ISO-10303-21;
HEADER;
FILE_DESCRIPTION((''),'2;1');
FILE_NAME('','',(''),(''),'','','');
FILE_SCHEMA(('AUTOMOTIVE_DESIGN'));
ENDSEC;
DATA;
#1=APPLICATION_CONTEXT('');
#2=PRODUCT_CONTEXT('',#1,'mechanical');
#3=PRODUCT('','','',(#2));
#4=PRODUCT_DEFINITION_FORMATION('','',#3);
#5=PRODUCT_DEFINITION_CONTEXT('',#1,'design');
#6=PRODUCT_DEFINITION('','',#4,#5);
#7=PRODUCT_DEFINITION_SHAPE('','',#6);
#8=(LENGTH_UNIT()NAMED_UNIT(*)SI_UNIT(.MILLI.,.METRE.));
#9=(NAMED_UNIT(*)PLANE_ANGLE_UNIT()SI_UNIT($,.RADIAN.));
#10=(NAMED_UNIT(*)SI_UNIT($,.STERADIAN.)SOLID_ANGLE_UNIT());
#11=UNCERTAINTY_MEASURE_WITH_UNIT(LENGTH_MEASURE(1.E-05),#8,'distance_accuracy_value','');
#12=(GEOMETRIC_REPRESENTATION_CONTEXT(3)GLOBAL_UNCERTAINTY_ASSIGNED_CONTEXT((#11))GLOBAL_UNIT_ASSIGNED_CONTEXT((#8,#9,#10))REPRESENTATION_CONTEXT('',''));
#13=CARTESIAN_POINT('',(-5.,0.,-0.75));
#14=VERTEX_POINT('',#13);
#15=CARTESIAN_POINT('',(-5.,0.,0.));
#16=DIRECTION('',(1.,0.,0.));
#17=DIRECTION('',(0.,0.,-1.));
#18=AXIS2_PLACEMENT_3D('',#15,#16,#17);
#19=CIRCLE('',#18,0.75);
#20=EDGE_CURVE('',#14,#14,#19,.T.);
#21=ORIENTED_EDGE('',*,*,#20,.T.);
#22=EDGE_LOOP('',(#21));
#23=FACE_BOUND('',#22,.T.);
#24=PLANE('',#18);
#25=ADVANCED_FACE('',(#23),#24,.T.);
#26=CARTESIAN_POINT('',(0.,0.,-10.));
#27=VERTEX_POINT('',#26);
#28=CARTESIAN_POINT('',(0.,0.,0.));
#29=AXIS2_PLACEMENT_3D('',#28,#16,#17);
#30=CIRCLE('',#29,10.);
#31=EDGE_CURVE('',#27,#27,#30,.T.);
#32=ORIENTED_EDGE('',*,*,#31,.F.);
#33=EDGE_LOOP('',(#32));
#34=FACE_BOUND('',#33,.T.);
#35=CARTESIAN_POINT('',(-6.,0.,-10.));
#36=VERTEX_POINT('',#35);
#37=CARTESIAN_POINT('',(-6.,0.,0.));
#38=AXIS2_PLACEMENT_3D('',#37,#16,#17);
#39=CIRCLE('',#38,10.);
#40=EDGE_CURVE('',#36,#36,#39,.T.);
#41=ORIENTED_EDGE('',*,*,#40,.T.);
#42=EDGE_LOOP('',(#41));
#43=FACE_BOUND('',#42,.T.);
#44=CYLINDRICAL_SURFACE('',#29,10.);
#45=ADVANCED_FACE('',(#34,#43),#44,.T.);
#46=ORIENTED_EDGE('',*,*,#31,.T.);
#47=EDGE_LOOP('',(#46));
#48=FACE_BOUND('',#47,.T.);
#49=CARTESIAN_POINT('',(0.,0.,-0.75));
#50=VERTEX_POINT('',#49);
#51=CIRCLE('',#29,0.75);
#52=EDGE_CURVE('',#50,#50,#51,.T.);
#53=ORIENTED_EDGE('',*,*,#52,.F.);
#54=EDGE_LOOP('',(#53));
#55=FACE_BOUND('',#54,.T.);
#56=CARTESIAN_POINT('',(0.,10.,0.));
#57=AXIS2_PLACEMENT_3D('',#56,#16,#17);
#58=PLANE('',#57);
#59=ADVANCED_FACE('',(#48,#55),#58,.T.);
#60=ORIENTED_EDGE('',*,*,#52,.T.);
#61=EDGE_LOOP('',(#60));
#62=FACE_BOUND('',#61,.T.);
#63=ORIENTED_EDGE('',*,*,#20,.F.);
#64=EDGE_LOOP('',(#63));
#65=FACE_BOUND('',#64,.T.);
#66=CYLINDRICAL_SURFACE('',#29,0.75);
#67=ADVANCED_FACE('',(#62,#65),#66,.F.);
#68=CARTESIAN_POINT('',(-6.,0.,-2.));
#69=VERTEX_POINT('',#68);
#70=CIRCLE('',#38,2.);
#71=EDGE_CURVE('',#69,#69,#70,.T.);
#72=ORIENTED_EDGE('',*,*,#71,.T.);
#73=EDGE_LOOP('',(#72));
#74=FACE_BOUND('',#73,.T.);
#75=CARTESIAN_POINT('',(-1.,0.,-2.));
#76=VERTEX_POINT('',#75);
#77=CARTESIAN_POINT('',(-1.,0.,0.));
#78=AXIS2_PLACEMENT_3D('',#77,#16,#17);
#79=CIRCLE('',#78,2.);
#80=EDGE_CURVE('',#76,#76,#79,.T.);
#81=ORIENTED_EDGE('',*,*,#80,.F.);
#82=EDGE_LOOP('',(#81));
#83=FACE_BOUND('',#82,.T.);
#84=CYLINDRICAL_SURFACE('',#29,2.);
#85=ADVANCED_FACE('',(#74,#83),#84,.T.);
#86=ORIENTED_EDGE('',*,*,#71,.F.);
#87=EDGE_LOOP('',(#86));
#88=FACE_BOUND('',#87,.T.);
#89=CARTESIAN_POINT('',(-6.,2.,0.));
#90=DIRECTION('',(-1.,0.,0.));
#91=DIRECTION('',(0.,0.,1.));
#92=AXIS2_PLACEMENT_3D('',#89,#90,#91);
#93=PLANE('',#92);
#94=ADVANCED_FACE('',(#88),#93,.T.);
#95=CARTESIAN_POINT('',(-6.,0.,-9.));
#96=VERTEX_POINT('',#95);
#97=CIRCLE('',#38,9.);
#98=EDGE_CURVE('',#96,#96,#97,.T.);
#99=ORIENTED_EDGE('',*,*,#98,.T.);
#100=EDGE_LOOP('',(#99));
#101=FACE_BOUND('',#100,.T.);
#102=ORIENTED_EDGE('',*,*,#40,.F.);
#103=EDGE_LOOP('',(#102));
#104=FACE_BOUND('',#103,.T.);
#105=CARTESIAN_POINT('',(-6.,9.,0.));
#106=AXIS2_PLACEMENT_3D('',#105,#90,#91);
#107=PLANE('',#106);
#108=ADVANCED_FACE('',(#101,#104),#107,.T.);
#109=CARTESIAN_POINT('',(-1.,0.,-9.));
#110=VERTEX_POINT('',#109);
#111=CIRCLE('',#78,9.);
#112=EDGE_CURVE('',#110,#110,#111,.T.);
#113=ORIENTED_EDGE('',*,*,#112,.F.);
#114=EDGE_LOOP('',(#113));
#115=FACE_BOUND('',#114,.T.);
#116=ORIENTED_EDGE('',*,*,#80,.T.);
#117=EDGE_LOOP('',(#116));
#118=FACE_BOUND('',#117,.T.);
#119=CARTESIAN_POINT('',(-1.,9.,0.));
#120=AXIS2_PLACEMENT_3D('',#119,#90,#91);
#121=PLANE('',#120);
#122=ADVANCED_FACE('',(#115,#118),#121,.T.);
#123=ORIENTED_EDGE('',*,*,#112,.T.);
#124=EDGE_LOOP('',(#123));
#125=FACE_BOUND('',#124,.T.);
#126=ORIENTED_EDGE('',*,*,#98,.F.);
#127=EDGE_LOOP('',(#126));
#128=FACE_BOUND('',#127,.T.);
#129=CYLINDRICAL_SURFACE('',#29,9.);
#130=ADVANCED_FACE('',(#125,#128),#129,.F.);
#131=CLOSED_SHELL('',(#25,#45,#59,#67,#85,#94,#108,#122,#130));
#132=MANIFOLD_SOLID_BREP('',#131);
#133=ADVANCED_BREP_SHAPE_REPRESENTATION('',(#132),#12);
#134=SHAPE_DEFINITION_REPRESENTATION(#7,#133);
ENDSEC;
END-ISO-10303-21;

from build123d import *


with BuildPart() as part:
    # Esboço3 → Revolução1 (revolve)
    with BuildSketch(Plane.XY, mode=Mode.PRIVATE) as revolu_o1_sk:
        Polygon((0, 10), (0, 0.75), (-5, 0.75), (-5, 0), (-6, 0), (-6, 2), (-1, 2), (-1, 9), (-6, 9), (-6, 10), align=None)
    revolve(revolu_o1_sk.sketch.rotate(Axis((0, 0, 0), (-1, 0, 0)), 90), axis=Axis((0, 0, 0), (-1, 0, 0)))


solid = part.part
